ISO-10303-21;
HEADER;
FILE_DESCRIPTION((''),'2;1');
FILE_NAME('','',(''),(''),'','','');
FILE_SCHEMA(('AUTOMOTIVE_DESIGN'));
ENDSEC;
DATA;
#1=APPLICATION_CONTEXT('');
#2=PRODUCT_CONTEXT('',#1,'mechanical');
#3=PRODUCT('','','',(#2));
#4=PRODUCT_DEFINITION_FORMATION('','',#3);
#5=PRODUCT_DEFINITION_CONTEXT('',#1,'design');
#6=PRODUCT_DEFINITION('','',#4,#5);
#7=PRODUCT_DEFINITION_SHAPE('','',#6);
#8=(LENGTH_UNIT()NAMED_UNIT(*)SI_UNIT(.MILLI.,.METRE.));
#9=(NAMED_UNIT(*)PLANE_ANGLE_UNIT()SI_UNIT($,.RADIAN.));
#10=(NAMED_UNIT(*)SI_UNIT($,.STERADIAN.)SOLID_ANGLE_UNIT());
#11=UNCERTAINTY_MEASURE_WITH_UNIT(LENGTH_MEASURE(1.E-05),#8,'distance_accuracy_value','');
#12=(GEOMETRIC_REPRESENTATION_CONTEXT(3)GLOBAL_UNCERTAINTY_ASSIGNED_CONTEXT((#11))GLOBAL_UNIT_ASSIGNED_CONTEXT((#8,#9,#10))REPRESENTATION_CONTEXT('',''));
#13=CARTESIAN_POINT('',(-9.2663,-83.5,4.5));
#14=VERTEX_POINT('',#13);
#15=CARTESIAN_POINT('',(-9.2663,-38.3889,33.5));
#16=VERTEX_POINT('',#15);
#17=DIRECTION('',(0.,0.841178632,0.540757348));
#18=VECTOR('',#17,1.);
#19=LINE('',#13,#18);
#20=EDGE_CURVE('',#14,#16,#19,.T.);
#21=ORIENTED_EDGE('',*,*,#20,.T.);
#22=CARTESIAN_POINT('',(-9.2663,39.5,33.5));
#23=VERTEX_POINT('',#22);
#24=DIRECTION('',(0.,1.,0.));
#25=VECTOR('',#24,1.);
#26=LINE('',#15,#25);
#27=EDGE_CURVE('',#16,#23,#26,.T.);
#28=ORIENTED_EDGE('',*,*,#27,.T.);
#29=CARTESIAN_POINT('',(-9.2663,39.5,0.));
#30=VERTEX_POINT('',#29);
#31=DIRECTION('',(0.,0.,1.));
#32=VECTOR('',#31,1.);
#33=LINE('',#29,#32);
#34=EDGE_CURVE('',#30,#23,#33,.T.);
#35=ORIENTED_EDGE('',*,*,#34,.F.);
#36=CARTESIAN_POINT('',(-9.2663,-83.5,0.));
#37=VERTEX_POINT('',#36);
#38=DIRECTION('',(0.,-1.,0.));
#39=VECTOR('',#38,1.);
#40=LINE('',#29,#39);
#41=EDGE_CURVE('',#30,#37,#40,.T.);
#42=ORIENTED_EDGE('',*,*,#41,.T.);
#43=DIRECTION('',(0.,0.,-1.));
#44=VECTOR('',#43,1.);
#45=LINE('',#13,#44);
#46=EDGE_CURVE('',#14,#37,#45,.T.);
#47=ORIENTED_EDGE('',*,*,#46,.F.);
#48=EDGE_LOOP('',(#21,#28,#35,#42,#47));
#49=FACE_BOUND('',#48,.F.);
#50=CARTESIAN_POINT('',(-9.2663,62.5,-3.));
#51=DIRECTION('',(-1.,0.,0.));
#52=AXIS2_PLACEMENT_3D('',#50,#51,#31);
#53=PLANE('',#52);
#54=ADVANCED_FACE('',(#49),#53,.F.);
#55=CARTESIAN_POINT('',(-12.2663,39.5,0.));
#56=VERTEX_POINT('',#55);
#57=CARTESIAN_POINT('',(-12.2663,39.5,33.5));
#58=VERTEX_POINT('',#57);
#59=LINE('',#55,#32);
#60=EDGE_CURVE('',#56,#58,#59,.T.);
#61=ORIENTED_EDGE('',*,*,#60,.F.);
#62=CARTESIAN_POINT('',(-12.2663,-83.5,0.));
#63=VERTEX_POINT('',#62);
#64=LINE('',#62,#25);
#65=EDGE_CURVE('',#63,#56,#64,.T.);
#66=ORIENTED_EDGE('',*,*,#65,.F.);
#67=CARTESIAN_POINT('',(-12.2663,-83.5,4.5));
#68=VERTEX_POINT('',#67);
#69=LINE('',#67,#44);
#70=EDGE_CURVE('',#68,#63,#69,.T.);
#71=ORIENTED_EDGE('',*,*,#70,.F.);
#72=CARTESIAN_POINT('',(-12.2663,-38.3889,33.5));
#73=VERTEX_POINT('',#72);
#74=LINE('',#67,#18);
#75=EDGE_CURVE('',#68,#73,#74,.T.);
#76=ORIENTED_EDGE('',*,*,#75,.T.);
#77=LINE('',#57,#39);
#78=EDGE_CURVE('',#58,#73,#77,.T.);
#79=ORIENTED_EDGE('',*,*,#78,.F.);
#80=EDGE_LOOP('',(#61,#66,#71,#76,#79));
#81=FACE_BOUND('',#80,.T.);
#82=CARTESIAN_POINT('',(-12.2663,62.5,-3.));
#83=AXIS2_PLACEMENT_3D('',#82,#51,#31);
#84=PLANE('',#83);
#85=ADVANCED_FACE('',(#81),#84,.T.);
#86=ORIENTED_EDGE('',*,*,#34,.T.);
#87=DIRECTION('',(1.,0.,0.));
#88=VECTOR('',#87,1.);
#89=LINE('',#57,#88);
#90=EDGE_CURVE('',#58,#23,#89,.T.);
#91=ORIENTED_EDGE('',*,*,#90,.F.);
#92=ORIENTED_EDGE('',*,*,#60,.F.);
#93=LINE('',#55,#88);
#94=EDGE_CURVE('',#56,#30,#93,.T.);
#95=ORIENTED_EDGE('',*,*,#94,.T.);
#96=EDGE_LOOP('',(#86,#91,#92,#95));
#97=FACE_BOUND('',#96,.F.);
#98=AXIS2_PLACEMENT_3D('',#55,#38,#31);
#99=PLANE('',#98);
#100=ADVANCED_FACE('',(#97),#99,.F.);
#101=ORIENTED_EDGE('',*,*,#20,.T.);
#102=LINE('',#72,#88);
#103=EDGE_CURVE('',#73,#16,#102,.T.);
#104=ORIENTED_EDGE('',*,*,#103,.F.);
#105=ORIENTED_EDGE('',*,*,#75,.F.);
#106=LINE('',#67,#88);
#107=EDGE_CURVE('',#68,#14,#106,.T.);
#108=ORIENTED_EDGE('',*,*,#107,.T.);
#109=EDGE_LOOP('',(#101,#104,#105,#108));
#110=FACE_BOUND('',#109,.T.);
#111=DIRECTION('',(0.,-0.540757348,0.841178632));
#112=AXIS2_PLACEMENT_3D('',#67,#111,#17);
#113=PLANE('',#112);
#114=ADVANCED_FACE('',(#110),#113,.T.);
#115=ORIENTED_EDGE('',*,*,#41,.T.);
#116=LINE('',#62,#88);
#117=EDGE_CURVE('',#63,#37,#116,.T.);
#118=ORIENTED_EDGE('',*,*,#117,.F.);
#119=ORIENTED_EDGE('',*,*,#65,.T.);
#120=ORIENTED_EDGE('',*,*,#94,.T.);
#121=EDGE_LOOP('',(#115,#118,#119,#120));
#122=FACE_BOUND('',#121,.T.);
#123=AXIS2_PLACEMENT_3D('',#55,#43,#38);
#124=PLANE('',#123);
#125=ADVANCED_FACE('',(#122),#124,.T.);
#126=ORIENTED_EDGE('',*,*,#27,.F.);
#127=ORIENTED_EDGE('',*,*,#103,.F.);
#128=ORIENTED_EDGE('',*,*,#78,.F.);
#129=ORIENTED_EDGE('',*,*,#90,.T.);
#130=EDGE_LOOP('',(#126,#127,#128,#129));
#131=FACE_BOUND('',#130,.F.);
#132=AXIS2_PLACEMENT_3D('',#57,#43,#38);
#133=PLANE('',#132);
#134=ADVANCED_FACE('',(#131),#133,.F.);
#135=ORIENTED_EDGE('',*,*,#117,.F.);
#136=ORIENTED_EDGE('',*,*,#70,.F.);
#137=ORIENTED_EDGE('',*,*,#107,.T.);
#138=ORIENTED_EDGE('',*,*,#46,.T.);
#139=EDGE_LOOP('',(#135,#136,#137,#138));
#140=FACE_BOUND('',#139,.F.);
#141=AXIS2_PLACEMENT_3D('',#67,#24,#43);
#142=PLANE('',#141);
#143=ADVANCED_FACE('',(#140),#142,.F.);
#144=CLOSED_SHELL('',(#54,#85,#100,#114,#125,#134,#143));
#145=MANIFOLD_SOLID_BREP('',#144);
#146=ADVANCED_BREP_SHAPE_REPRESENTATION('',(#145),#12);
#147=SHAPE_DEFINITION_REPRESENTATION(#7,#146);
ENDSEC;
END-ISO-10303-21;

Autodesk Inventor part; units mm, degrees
ref_plane "YZ Plane" through (0, 0, 0) normal (1, 0, 0) x (0, 1, 0)
ref_plane "XZ Plane" through (0, 0, 0) normal (0, 1, 0) x (-1, 0, 0)
ref_plane "XY Plane" through (0, 0, 0) normal (0, 0, 1) x (1, 0, 0)
ref_plane "Work Plane4" through (-12.2663, 62.5, -3) normal (-1, 0, 0) x (0, 0, 1)
sketch "Sketch4" plane through (-12.2663, 62.5, -3) normal (-1, 0, 0) x (0, 0, 1)
  line L0 (0, -23) -> (0, -130) projected
  line L1 (0, -130) -> (3, -130) projected
  line L2 (3, -23) -> (3, -130) projected
  line L3 (0, -23) -> (3, -23) projected
  circle A0 centre (13.5, 4.5) radius 25 projected
  line L4 (7.5, -146) -> (3, -146) projected
  line L5 (3, -146) -> (3, -150) projected
  line L6 (3, -150) -> (-0.5, -150) projected
  line L7 (-0.5, -150) -> (-0.5, -164) projected
  line L8 (-0.5, -164) -> (8.5, -150) projected
  line L9 (8.5, -150) -> (7.5, -150) projected
  line L10 (7.5, -150) -> (7.5, -146) projected
  line L11 (0, -130) -> (0, -150) projected
  line L12 (0, -150) -> (3, -150) projected
  line L13 (3, -130) -> (3, -150) projected
  line L14 (3, -107) -> (3, -130) projected
  line L15 (0, -130) -> (0, -107) projected
  line L16 (7.5, -146) -> (3, -146)
  line L17 (3, -146) -> (3, -23)
  line L18 (3, -23) -> (36.5, -23)
  line L19 (8.5, -150) -> (66.1149, -60.3768)
  line L20 (7.5, -146) -> (63.7229, -58.5421)
  line L21 (36.5, -23) -> (36.5, -100.8889)
  line L22 (36.5, -98.0889) -> (33.5, -98.0889)
  line L23 (33.5, -98.0889) -> (33.5, -82.9889)
  line L24 (33.5, -82.9889) -> (36.5, -82.9889)
  line L25 (36.5, -82.9889) -> (36.5, -98.0889)
  line L26 (0, -130) -> (3, -130) projected
  point P0 (3, -62.5)
  point P1 (38.5, 4.5)
  dimension "d4" = 25
  dimension "d5" = 2
  dimension "d9" = 2.8
  dimension "d10" = 15.1
  dimension "d11" = 3
extrude "Extrusion1" add sketch "Sketch4" against normal blind 3 contours L18 L21 L24 L23 L22 L20 L4 L13 L2 | L21 L22 L23 L24
properties part number "right_side"
